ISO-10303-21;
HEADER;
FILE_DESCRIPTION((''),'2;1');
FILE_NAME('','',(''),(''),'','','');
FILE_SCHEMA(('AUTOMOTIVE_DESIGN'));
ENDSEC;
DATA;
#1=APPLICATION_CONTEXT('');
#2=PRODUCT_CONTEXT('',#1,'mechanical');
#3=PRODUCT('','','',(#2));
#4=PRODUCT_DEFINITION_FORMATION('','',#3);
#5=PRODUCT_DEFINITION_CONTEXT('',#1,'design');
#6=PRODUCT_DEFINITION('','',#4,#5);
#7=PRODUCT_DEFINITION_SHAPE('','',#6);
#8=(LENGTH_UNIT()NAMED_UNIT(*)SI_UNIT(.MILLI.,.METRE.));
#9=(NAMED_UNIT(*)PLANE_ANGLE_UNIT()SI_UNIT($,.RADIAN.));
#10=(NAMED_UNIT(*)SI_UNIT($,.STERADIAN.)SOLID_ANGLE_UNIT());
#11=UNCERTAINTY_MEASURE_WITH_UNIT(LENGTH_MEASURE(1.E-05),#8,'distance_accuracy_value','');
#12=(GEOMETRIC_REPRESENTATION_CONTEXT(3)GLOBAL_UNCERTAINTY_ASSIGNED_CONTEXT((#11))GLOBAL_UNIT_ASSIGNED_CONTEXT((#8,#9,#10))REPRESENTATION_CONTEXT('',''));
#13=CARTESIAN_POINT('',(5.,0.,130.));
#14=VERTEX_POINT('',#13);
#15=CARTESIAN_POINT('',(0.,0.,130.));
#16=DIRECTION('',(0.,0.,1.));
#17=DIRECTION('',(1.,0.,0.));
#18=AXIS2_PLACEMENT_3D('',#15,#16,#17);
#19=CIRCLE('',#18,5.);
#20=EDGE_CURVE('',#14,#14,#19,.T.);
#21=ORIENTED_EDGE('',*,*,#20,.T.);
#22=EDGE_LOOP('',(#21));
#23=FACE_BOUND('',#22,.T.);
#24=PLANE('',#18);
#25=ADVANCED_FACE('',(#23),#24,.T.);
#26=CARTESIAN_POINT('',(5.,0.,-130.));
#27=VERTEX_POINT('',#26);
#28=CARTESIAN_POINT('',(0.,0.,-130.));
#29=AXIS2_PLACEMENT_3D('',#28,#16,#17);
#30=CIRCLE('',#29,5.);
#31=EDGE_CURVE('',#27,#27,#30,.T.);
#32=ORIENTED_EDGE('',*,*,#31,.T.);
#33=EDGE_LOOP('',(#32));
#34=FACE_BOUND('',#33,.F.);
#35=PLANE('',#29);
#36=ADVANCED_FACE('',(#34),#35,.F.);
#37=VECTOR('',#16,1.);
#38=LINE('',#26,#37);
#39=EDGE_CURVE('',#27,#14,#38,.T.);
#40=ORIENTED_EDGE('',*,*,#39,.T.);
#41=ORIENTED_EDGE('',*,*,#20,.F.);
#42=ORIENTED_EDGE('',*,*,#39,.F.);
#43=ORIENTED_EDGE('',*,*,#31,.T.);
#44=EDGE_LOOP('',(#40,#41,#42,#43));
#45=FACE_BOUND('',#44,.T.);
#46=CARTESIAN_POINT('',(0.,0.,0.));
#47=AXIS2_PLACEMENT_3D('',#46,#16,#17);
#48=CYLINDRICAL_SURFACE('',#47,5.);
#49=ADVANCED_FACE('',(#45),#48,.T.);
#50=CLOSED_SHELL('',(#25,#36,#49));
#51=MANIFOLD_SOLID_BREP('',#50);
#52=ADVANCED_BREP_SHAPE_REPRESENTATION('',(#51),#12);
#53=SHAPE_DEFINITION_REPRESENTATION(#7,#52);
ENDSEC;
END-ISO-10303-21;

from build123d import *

# Parameters (mm, degrees)
BOSS_EXTRUDE1_DEPTH      = 130
BOSS_EXTRUDE1_DEPTH_BACK = 130
SKETCH1_R                = 5


with BuildPart() as part:
    # Sketch1 → Boss-Extrude1 (new, two sides: drawn at the far end of the back side and taken through both)
    with BuildSketch(Plane.XY.offset(-BOSS_EXTRUDE1_DEPTH_BACK)):
        Circle(SKETCH1_R)
    extrude(amount=BOSS_EXTRUDE1_DEPTH + BOSS_EXTRUDE1_DEPTH_BACK)


solid = part.part
